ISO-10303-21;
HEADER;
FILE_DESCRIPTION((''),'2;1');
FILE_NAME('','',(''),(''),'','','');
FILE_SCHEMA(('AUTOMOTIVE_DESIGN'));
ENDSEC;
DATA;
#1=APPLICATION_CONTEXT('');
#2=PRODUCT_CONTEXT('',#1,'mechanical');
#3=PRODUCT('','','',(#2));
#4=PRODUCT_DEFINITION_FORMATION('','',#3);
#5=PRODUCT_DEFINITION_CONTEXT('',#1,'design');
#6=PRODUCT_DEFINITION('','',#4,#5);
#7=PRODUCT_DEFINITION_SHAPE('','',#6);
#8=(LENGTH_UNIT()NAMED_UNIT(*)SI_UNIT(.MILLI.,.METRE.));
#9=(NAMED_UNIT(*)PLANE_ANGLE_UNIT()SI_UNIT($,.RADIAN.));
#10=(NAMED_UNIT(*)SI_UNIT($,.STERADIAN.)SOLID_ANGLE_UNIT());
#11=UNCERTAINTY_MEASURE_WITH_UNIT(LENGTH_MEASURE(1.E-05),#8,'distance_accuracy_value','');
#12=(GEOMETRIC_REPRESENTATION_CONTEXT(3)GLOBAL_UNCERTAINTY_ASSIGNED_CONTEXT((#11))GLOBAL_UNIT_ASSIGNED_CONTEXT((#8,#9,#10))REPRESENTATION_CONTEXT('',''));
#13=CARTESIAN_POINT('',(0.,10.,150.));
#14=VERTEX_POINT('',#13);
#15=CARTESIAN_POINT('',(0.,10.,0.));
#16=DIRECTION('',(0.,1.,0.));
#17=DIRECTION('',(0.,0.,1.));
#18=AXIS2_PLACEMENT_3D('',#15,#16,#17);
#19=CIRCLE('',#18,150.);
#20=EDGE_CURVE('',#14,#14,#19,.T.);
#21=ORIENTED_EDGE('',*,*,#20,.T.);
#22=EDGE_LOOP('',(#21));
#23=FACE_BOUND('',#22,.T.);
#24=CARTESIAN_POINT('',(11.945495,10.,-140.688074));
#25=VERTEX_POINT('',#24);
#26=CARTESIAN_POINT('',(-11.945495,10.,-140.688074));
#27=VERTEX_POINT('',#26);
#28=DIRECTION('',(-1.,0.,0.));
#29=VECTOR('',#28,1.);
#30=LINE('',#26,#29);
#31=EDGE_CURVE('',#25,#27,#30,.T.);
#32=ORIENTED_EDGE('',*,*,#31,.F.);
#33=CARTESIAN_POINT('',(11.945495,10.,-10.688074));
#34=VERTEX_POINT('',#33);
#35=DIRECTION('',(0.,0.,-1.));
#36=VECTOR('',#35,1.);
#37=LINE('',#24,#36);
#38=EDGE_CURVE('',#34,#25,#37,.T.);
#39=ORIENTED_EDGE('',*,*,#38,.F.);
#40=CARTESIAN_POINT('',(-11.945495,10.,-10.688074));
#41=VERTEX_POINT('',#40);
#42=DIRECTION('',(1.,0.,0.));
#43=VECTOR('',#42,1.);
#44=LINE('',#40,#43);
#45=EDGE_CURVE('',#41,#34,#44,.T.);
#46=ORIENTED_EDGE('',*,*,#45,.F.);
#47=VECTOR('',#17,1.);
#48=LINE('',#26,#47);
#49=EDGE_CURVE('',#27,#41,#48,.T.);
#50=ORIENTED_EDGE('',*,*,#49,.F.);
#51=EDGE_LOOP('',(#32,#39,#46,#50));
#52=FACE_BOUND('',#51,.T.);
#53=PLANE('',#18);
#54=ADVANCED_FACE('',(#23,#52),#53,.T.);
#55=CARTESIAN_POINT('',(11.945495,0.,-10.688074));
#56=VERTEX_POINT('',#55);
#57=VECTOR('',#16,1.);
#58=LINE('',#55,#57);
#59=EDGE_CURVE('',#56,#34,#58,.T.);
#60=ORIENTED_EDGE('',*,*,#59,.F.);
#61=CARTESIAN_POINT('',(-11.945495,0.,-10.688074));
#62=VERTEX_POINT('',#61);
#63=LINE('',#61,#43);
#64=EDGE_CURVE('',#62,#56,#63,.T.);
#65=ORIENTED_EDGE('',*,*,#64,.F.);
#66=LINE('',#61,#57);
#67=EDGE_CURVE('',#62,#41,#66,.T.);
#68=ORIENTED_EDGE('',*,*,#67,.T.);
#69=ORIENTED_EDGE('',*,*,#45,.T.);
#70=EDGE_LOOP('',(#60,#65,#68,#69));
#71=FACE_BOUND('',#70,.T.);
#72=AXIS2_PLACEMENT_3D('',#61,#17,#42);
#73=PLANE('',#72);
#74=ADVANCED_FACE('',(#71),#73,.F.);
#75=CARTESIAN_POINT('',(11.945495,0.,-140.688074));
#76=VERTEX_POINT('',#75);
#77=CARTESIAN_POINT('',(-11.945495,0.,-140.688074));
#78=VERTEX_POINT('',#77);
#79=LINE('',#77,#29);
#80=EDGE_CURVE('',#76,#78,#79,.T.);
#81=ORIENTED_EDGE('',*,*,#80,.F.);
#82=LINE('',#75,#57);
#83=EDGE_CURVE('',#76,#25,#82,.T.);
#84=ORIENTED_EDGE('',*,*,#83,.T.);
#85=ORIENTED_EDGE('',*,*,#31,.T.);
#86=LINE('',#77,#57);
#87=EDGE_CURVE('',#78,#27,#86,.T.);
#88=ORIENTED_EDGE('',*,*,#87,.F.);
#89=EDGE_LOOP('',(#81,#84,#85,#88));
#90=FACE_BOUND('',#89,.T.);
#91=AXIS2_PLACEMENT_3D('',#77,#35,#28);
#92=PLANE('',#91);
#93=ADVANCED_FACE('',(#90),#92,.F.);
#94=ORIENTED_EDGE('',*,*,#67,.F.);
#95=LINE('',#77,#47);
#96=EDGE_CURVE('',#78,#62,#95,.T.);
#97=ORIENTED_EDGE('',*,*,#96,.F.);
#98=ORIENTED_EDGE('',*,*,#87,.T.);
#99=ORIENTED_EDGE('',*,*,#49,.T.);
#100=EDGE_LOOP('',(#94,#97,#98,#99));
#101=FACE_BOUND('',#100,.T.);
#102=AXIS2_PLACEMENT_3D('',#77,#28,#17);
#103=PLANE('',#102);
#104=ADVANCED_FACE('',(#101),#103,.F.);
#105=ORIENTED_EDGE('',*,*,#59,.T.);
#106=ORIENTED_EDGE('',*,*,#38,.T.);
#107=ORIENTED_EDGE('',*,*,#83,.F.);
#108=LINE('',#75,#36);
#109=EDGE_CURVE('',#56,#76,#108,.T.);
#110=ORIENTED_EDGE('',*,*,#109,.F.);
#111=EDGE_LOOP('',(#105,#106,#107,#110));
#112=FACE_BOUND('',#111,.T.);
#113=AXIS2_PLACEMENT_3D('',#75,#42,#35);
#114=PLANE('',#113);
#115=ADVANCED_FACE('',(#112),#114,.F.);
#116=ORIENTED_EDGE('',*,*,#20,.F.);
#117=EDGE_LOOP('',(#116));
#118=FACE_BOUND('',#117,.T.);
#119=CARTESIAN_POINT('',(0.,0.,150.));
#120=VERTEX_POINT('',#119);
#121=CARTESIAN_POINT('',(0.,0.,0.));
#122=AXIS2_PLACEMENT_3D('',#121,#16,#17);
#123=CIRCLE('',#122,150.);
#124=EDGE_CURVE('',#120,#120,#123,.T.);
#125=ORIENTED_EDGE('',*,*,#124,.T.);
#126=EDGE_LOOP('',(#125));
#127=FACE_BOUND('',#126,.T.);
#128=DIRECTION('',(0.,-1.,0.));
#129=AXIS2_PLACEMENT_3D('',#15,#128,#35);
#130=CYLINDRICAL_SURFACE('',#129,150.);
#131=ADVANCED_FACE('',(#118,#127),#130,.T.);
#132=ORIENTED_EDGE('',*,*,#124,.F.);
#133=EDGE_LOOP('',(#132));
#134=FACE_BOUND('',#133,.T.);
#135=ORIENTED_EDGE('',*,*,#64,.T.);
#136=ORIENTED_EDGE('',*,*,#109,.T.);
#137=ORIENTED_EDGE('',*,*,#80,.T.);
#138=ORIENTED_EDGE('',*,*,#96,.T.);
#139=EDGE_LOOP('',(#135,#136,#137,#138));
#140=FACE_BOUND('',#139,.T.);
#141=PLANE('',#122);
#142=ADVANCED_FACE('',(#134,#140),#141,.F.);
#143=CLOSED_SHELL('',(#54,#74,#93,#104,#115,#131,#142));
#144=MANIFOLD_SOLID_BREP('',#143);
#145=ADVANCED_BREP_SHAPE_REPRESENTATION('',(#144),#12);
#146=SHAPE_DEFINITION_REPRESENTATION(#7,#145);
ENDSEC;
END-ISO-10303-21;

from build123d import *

# Parameters (mm, degrees)
SKETCH1_R           = 150
BOSS_EXTRUDE1_DEPTH = 10
SKETCH2_W           = 23.890989192
SKETCH2_H           = 130
CUT_EXTRUDE1_DEPTH  = 10


with BuildPart() as part:
    # Sketch1 → Boss-Extrude1 (new body)
    with BuildSketch(Plane(origin=(0, 0, 0), x_dir=(1, 0, 0), z_dir=(0, 1, 0))):
        Circle(SKETCH1_R)
    extrude(amount=BOSS_EXTRUDE1_DEPTH)

    # Sketch2 → Cut-Extrude1 (cut)
    with BuildSketch(Plane(origin=(0, 10, 0), x_dir=(1, 0, 0), z_dir=(0, 1, 0))):
        with Locations((0, 75.688074112)):
            Rectangle(SKETCH2_W, SKETCH2_H)
    extrude(amount=-CUT_EXTRUDE1_DEPTH, mode=Mode.SUBTRACT)


solid = part.part
